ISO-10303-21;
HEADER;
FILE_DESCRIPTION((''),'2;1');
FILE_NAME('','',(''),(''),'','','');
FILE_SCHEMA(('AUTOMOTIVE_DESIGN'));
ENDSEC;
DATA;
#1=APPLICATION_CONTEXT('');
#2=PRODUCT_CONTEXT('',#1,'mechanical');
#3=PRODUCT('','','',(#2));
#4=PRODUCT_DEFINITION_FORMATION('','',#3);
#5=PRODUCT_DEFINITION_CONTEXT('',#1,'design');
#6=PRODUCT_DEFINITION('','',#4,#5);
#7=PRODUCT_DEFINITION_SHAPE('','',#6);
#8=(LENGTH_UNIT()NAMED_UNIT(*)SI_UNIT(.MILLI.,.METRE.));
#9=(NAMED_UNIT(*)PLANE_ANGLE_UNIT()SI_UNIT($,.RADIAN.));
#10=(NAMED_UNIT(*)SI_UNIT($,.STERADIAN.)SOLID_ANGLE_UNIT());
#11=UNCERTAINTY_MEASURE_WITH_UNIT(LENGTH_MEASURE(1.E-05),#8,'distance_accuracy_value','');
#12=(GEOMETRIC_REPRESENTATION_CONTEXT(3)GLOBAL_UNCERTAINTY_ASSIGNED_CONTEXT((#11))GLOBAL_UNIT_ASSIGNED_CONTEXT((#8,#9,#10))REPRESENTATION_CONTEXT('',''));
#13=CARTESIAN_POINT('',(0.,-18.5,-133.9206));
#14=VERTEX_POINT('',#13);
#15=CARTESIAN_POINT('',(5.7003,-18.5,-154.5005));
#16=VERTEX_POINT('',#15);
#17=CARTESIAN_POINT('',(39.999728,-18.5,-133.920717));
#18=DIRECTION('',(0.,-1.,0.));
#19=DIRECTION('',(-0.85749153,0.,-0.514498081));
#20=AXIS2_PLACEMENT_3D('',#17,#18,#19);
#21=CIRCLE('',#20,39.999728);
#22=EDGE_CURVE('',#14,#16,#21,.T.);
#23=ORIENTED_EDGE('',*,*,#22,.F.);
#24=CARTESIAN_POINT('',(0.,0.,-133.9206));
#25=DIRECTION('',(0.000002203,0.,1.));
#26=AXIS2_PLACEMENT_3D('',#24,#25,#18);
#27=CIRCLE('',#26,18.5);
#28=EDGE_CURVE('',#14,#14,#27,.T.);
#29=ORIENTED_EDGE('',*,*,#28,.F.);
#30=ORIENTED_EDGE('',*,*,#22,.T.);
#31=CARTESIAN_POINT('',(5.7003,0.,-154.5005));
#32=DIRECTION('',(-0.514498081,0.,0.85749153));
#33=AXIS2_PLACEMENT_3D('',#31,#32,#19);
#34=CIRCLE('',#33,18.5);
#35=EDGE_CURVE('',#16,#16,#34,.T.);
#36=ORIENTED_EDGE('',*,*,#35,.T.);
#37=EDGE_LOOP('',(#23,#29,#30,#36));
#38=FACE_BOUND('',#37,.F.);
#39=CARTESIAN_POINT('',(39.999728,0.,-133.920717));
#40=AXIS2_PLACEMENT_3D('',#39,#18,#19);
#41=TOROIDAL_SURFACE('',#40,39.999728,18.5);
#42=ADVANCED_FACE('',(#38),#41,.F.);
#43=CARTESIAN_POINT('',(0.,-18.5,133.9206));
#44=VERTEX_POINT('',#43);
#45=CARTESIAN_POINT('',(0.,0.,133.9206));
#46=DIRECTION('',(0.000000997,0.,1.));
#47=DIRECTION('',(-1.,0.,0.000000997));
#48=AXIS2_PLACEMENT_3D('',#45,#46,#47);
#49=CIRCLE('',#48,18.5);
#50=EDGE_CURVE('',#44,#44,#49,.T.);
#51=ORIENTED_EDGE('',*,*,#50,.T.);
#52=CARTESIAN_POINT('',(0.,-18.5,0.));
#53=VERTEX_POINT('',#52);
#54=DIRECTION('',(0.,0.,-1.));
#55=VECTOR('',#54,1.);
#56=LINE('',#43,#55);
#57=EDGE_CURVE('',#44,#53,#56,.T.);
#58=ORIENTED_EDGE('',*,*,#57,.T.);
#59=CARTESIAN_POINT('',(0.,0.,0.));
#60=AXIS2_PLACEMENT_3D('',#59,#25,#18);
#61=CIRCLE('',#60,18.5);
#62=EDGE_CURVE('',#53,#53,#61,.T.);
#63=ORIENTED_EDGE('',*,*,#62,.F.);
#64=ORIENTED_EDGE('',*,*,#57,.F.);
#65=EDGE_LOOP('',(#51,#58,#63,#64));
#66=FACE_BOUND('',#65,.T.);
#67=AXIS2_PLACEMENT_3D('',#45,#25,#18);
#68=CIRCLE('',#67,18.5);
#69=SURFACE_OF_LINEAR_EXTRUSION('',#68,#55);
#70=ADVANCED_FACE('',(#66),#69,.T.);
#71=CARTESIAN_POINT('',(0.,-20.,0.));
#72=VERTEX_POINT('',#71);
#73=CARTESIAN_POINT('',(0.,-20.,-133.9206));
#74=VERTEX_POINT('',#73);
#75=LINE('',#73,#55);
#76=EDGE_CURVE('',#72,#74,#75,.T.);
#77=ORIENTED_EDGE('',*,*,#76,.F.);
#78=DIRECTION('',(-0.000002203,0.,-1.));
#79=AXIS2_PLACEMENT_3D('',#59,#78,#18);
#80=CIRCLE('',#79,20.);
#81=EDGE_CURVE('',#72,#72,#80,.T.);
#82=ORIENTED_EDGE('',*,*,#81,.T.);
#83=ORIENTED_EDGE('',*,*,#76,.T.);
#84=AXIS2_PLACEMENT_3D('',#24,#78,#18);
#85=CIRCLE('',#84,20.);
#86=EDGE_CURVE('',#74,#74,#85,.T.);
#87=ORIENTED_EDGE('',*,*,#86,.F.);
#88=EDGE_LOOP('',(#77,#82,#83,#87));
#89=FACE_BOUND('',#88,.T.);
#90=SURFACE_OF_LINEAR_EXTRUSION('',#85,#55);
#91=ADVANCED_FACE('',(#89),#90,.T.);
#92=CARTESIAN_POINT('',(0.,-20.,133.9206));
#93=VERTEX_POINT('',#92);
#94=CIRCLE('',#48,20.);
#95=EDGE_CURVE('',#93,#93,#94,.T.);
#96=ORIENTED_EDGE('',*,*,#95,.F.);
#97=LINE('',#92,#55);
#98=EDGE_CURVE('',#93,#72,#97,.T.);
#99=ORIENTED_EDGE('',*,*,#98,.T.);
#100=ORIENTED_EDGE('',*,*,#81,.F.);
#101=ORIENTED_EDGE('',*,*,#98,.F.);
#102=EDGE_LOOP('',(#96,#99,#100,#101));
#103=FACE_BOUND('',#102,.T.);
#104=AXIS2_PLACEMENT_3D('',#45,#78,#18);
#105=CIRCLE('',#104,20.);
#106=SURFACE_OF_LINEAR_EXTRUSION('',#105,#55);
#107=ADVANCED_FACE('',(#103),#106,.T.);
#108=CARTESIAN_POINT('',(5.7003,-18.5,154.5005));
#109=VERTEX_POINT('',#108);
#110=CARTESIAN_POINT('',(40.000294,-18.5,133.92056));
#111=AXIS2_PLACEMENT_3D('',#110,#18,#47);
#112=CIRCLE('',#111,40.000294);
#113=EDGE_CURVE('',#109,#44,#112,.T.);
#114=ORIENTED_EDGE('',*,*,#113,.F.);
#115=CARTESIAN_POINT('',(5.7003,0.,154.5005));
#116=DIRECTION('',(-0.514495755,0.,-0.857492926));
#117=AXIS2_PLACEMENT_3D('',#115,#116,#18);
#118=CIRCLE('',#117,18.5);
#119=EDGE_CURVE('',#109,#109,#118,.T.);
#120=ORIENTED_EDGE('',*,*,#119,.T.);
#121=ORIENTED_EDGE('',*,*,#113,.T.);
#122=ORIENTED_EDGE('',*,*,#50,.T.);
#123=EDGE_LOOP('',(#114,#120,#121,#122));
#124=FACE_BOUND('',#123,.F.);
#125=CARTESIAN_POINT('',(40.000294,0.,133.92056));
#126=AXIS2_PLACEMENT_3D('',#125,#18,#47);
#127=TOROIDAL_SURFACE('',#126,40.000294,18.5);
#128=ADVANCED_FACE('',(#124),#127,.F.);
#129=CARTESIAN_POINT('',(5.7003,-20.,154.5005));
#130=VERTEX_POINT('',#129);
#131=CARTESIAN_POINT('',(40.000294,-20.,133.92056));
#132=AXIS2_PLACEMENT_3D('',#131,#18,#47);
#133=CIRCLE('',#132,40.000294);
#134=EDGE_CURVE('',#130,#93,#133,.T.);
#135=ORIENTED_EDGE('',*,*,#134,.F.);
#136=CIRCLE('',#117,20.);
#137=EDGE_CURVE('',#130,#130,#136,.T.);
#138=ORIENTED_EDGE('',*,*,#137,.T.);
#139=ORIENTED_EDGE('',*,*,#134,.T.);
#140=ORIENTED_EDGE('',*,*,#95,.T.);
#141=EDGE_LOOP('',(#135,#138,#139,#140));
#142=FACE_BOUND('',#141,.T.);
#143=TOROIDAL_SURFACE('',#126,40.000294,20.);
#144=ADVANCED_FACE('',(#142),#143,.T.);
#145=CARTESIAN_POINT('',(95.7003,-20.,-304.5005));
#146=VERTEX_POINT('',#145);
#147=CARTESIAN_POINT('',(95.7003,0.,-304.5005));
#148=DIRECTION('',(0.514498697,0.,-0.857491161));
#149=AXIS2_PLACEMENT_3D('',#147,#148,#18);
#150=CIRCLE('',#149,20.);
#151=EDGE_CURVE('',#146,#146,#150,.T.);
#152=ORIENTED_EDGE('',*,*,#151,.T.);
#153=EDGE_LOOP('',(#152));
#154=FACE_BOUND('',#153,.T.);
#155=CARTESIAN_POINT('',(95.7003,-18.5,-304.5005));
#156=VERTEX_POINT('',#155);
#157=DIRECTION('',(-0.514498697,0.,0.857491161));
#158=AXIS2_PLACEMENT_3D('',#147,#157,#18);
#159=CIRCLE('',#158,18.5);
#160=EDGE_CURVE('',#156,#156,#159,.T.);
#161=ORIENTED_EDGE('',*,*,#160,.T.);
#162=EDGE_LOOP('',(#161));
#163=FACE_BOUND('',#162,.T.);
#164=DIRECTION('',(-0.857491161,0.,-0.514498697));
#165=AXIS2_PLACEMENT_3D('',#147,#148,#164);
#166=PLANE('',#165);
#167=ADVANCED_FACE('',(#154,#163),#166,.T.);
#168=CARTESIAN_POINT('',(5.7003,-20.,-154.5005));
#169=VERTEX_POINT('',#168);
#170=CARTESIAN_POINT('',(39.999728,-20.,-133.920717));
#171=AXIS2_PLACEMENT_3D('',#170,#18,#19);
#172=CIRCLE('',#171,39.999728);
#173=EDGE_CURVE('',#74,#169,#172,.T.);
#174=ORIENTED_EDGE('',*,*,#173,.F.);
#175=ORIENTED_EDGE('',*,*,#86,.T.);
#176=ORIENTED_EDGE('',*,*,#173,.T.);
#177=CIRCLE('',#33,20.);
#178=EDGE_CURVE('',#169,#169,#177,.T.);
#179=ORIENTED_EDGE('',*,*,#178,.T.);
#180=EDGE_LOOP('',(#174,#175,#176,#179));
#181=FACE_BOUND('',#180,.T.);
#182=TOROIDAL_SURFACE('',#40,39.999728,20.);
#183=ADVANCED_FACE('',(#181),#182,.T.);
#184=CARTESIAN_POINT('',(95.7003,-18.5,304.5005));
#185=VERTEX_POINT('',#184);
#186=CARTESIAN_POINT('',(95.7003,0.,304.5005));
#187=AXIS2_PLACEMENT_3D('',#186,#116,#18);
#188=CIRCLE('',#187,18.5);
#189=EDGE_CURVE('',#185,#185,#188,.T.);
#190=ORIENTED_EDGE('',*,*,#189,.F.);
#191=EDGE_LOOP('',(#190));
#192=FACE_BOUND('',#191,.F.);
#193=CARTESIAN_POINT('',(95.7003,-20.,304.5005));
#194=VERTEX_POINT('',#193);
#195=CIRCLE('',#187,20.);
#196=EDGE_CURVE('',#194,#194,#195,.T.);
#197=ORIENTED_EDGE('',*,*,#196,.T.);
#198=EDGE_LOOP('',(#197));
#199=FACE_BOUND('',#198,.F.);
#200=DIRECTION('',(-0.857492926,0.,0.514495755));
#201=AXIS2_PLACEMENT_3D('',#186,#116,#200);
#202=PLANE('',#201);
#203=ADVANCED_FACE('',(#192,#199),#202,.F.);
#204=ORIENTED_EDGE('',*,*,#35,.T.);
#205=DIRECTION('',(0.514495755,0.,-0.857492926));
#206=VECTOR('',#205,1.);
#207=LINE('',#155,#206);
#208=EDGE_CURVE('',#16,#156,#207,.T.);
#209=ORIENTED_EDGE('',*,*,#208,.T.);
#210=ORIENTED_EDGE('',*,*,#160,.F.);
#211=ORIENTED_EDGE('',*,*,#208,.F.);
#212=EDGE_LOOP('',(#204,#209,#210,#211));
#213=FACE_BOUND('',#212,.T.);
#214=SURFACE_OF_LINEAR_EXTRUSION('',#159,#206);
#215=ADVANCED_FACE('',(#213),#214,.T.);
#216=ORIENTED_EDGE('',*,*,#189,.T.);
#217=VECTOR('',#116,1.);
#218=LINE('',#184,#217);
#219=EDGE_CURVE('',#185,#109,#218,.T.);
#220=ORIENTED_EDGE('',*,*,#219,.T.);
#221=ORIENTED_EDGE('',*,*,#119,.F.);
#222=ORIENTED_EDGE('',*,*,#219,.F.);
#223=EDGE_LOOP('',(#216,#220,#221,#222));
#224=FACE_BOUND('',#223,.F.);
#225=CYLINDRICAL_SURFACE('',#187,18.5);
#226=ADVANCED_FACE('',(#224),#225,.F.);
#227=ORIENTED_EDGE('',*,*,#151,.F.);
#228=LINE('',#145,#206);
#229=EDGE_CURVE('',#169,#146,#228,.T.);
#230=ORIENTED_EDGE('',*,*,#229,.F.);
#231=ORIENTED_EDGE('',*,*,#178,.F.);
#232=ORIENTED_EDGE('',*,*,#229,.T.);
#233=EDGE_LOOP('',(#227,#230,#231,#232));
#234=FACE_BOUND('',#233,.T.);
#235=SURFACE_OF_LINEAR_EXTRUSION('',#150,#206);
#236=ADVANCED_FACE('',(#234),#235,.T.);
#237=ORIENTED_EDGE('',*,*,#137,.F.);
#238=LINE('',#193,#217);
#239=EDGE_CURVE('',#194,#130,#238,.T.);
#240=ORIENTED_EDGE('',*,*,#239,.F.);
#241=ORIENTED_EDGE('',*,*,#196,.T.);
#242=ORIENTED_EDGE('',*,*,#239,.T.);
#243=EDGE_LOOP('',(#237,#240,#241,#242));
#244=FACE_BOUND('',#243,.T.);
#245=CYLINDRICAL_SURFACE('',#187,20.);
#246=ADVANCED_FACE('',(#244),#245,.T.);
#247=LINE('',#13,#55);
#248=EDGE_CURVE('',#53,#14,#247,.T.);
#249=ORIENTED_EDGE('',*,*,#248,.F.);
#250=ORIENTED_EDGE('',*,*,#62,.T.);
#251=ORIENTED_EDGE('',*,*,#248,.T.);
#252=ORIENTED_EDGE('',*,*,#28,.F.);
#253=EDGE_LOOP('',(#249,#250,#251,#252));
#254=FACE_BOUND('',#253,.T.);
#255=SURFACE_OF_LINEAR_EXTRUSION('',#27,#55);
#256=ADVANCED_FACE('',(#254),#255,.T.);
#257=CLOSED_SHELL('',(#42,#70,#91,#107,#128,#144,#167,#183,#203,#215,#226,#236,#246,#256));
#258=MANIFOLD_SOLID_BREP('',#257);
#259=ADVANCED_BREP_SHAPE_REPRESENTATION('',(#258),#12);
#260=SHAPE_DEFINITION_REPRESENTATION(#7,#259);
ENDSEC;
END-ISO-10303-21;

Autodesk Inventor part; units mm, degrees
ref_plane "YZ Plane" through (0, 0, 0) normal (1, 0, 0) x (0, 1, 0)
ref_plane "XZ Plane" through (0, 0, 0) normal (0, 1, 0) x (-1, 0, 0)
ref_plane "XY Plane" through (0, 0, 0) normal (0, 0, 1) x (1, 0, 0)
sketch "Sketch1" plane through (0, 0, 0) normal (0, 1, 0) x (-1, 0, 0)
  line L0 (-95.7003, 304.5005) -> (-5.7003, 154.5005)
  line L1 (0, 133.9206) -> (0, 0)
  line L2 (53.8545, 0) -> (-53.8545, 0)
  line L3 (-95.7003, -304.5005) -> (-5.7003, -154.5005)
  line L4 (0, -133.9206) -> (0, 0)
  arc A0 (0, 133.9206) -> (-5.7003, 154.5005) centre (-40, 133.9206) ccw
  arc A1 (-5.7003, -154.5005) -> (0, -133.9206) centre (-40, -133.9206) ccw
  point P0 (0, 145)
  point P1 (0, -145)
  dimension "d0" = 145
  dimension "d1" = 40
  dimension "d2" = 90
  dimension "d3" = 150
  dimension "d8" = 40
ref_plane "Work Plane1" through (95.7003, 0, 304.5005) normal (-0.5145, 0, -0.8575) x (0, -1, 0)
sketch "Sketch2" plane through (95.7003, 0, 304.5005) normal (-0.5145, 0, -0.8575) x (0, -1, 0)
  circle A0 centre (0, 0) radius 20
  circle A1 centre (0, 0) radius 18.5
  point P0 (0, -74.6019)
  dimension "d4" = 40
  dimension "d5" = 37
sweep "Sweep1" add profiles "Sketch2" path "Sketch1" path curves L0 A0 L1 L4 A1 L3
equation "\"d8\" = d1"
properties part number "caña bici ruta"
